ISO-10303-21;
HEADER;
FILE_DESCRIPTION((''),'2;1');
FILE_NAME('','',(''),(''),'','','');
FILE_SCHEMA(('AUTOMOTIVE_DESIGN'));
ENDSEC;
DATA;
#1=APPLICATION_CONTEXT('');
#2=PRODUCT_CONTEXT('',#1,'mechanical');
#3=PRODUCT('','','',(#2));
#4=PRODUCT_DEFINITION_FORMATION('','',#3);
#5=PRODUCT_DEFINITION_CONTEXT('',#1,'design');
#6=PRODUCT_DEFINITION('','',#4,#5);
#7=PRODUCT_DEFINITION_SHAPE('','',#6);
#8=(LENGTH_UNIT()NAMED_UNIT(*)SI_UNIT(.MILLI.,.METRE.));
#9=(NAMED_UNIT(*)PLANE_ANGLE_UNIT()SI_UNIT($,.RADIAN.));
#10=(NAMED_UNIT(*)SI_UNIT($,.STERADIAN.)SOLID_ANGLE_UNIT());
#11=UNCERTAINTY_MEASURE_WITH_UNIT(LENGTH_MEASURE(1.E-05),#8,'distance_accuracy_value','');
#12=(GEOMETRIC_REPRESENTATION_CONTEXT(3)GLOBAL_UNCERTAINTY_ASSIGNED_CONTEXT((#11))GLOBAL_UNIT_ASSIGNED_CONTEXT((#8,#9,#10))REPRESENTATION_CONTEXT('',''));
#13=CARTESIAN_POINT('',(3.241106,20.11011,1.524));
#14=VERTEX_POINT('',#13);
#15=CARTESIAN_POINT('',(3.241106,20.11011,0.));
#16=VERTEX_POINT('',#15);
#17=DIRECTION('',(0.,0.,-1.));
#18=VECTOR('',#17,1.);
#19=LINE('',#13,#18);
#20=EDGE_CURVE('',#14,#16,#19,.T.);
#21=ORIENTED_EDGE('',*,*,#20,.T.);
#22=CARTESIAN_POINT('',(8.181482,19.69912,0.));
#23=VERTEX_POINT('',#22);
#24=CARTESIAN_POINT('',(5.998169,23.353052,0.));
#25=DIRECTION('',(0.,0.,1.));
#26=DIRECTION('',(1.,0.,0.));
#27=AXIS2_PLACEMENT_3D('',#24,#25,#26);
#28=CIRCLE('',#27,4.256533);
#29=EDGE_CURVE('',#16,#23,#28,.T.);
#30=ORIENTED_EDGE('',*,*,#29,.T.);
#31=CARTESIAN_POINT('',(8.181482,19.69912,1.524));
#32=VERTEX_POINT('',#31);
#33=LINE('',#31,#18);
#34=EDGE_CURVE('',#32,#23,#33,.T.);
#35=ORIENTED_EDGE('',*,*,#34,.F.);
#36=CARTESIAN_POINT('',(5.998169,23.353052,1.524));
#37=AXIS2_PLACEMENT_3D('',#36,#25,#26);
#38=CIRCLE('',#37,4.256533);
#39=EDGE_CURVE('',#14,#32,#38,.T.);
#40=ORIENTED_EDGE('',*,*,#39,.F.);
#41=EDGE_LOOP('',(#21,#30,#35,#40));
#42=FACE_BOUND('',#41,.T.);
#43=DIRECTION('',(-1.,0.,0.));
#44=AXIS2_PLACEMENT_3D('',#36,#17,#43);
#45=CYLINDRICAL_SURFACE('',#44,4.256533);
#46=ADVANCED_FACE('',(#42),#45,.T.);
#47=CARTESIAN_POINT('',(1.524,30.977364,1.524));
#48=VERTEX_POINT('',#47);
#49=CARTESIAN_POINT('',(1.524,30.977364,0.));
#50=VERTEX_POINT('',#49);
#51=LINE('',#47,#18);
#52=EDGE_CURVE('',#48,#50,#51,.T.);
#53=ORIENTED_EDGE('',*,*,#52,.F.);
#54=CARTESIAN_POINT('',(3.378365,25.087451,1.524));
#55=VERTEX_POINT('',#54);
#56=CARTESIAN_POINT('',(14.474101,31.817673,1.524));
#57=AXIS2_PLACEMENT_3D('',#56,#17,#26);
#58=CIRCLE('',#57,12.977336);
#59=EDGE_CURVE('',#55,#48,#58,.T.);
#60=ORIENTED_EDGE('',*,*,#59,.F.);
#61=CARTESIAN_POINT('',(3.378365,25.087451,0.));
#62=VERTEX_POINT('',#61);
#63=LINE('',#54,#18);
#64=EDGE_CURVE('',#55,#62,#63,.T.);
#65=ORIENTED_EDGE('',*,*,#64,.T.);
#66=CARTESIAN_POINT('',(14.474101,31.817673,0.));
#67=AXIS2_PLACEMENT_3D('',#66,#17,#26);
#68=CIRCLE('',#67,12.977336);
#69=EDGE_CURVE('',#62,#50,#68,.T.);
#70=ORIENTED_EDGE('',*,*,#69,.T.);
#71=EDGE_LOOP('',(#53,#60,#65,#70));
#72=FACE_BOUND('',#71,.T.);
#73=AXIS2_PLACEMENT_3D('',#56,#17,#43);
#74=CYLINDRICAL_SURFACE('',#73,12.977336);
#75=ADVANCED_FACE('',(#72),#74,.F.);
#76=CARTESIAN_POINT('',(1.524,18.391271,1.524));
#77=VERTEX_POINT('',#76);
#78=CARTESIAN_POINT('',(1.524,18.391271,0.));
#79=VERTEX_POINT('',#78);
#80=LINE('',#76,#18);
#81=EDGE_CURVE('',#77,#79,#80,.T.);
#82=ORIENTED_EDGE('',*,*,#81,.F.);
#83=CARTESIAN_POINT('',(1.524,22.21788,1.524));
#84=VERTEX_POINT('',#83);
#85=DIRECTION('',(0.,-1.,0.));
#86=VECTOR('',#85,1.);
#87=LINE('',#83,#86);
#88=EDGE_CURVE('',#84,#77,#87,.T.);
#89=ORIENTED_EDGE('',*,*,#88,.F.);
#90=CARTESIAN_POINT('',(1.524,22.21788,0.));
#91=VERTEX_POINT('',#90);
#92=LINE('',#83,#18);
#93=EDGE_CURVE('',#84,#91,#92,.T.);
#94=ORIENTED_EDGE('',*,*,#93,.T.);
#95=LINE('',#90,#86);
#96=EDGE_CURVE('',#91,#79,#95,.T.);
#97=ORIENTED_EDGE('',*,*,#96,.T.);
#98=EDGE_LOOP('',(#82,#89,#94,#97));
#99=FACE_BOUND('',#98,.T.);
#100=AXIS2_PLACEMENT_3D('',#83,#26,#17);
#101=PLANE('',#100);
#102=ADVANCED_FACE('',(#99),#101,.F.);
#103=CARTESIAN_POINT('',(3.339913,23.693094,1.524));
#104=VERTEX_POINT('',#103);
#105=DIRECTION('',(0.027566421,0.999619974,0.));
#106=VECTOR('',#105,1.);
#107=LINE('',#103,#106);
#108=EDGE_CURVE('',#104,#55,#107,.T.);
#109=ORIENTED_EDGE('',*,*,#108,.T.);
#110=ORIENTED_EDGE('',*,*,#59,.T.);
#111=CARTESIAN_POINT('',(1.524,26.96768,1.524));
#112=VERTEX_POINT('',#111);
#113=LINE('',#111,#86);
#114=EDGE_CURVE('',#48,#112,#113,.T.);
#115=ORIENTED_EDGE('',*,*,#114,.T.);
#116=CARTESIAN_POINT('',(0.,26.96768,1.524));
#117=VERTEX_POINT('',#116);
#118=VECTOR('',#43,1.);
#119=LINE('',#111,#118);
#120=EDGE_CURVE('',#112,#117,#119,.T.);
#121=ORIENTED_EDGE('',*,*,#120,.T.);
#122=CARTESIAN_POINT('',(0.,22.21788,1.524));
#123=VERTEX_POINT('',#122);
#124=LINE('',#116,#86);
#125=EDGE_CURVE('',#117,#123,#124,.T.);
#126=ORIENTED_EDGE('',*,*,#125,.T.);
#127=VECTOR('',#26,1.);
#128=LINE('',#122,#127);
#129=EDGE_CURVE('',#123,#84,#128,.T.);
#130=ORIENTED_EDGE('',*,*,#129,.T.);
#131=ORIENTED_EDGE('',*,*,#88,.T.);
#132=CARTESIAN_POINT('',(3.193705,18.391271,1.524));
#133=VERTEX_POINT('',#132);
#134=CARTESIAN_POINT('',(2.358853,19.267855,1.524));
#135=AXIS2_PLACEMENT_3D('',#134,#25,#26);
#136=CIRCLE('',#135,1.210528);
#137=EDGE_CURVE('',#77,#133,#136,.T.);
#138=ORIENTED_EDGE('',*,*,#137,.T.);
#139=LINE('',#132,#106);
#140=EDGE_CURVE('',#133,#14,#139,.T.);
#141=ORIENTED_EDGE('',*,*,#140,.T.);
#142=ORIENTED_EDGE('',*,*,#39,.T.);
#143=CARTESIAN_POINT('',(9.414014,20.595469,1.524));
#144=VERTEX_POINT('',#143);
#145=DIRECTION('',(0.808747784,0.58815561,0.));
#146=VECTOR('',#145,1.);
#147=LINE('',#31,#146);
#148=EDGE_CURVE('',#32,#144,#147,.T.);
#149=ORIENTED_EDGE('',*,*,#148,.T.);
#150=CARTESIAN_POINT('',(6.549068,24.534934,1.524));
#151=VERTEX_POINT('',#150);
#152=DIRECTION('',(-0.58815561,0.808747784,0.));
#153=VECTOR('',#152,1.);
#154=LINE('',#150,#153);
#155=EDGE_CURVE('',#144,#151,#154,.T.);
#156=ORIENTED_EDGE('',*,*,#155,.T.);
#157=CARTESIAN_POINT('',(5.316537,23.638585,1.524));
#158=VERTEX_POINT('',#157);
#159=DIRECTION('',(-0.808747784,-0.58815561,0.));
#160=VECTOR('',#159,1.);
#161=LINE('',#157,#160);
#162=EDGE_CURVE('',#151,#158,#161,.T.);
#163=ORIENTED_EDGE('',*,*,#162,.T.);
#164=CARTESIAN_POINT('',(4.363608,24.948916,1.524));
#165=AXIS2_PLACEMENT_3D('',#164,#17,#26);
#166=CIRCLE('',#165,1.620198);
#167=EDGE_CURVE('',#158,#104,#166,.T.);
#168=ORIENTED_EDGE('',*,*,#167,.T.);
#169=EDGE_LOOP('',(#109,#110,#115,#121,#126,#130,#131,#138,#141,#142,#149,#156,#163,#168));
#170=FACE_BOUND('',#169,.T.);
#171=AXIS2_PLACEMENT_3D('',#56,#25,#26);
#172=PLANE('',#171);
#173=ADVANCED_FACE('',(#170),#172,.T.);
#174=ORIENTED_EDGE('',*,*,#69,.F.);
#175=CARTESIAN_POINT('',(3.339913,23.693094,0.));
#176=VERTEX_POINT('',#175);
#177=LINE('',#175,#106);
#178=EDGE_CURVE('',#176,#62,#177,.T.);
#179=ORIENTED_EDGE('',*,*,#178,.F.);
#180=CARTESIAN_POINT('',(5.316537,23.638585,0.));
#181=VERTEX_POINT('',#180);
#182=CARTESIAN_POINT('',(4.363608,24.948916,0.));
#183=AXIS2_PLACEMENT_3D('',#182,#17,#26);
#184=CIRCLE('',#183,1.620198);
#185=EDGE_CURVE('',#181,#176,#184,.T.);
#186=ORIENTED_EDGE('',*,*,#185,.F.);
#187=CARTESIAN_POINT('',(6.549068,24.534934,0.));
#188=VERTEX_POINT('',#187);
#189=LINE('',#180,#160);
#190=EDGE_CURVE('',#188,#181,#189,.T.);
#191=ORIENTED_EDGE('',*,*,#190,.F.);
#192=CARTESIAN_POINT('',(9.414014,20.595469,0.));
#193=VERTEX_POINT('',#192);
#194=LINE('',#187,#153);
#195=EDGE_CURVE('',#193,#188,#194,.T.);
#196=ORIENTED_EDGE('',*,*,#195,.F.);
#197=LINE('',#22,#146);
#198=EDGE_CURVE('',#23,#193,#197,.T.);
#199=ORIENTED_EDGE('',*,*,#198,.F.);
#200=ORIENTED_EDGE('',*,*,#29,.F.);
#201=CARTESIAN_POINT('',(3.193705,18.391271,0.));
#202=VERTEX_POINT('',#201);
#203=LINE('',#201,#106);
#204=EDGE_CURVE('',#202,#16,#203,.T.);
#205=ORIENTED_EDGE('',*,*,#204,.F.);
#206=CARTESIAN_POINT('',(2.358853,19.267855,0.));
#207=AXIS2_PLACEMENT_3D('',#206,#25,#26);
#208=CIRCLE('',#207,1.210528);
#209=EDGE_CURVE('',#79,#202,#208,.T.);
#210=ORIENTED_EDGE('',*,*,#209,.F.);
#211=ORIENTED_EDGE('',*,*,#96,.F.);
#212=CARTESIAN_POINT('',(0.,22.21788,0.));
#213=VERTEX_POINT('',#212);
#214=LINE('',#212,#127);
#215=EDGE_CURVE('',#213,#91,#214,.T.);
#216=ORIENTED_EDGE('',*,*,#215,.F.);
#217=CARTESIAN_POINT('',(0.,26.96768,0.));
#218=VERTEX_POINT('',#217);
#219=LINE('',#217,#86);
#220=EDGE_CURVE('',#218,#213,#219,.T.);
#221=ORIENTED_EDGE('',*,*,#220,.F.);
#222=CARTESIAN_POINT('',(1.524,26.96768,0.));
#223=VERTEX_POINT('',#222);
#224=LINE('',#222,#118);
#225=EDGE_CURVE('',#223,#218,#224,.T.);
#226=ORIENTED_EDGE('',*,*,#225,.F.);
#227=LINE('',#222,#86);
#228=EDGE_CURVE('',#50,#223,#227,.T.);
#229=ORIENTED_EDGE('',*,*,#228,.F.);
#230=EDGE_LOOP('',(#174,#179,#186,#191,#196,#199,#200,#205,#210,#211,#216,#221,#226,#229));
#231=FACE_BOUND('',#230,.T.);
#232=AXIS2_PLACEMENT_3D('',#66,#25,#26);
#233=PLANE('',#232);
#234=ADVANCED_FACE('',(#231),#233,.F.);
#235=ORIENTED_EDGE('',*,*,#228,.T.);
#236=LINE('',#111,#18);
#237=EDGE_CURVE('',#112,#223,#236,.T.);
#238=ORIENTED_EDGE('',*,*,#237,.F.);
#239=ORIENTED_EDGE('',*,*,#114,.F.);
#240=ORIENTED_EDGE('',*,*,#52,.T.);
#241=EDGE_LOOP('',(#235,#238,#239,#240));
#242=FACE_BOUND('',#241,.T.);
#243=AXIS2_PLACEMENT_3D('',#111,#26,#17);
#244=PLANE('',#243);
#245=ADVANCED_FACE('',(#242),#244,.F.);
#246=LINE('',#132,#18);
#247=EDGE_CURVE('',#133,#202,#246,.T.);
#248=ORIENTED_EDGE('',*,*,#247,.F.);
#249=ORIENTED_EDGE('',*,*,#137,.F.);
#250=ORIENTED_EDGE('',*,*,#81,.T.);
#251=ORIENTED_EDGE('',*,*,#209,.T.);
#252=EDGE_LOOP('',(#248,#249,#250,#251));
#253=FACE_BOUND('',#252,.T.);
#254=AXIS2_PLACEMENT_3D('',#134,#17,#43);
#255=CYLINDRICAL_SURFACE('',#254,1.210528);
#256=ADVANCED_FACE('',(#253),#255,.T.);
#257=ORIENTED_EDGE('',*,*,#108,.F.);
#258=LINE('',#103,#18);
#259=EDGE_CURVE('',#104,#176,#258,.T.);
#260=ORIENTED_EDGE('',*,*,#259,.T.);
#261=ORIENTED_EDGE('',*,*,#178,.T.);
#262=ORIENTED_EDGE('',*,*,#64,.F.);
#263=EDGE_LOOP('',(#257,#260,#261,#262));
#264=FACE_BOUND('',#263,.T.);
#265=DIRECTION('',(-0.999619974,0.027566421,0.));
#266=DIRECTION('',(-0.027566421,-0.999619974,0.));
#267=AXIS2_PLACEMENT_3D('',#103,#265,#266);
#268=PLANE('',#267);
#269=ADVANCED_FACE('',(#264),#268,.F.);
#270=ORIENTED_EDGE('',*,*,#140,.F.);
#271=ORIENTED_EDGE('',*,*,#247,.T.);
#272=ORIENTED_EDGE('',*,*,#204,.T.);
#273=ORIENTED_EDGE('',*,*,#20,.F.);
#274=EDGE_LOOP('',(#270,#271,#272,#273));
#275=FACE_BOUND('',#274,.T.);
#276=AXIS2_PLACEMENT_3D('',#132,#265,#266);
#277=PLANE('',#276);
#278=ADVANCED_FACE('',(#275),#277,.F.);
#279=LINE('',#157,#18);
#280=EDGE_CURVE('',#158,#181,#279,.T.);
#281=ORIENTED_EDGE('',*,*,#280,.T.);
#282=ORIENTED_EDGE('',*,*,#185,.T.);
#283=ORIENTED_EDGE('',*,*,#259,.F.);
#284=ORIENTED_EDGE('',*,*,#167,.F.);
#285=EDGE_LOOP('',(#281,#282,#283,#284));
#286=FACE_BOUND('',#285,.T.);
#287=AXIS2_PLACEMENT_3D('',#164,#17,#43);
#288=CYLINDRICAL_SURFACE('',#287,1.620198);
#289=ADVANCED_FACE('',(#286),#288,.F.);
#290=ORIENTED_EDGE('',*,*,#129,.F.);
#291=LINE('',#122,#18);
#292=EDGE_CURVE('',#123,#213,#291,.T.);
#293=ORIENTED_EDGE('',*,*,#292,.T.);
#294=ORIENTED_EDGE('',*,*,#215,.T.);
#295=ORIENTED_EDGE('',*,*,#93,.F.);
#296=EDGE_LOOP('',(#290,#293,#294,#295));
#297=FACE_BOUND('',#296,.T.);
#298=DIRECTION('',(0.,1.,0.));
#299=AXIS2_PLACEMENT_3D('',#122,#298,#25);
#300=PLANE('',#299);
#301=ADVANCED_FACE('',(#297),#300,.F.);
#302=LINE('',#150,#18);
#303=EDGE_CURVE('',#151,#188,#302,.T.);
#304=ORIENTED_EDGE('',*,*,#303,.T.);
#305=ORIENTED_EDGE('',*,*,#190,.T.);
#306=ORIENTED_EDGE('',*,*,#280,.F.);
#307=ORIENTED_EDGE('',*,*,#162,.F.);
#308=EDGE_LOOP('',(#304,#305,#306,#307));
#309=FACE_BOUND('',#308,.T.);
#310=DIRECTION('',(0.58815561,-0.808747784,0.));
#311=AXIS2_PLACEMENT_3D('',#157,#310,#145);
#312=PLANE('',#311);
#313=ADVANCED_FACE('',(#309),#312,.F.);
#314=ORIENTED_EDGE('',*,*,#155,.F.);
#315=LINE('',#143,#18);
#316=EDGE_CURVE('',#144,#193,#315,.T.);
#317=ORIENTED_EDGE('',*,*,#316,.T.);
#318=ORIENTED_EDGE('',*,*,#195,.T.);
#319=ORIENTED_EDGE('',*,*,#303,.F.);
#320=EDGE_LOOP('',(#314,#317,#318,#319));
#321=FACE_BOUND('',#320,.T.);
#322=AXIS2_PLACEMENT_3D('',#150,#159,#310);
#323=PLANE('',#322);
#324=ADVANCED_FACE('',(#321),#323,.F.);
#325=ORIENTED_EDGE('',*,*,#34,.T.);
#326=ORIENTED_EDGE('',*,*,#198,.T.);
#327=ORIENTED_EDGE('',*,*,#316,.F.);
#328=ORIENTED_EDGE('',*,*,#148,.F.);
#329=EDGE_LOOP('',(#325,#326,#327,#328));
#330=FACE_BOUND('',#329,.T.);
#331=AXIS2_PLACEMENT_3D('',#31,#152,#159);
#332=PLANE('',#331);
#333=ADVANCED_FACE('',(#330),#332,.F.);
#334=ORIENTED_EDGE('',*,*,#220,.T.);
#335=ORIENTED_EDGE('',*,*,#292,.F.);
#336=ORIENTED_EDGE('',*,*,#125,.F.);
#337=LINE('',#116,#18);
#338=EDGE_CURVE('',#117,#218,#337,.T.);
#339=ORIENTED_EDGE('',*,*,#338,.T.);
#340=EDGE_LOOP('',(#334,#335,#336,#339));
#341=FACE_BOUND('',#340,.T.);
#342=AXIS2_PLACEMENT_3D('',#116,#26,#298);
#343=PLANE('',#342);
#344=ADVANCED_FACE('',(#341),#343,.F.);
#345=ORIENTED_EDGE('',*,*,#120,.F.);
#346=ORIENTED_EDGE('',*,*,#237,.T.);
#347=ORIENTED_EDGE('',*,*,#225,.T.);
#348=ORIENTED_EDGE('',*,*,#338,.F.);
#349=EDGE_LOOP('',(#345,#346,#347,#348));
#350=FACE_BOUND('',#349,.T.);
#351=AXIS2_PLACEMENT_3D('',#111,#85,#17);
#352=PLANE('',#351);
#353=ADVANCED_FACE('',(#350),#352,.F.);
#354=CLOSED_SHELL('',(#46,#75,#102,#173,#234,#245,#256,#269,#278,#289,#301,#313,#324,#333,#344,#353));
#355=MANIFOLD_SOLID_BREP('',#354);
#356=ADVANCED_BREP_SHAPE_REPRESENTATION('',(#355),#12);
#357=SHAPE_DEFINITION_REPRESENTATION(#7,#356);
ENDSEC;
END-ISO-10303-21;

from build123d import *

# Parameters (mm, degrees)
BOSS_EXTRUDE1_DEPTH = 1.524


with BuildPart() as part:
    # Sketch1 → Boss-Extrude1 (new body)
    with BuildSketch(Plane.XY):
        with BuildLine():
            Line((1.524, 26.967680282), (0, 26.967680282))
            Line((0, 26.967680282), (0, 22.217880282))
            Line((0, 22.217880282), (1.524, 22.217880282))
            Line((1.524, 22.217880282), (1.524, 18.391271339))
            ThreePointArc((1.524, 18.391271339), (2.358852733, 18.057327031), (3.193705465, 18.391271339))
            Line((3.193705465, 18.391271339), (3.241105721, 20.110110457))
            ThreePointArc((3.241105721, 20.110110457), (5.645287311, 19.111172108), (8.181482071, 19.699120308))
            Line((8.181482071, 19.699120308), (9.414013694, 20.595469457))
            Line((9.414013694, 20.595469457), (6.54906828, 24.534934144))
            Line((6.54906828, 24.534934144), (5.316536657, 23.638584995))
            ThreePointArc((5.316536657, 23.638584995), (4.31894521, 23.329334303), (3.339913307, 23.693094141))
            Line((3.339913307, 23.693094141), (3.378365348, 25.087450992))
            ThreePointArc((3.378365348, 25.087450992), (2.095759725, 27.920506851), (1.524, 30.977363652))
            Line((1.524, 30.977363652), (1.524, 26.967680282))
        make_face()
    extrude(amount=BOSS_EXTRUDE1_DEPTH)


solid = part.part
